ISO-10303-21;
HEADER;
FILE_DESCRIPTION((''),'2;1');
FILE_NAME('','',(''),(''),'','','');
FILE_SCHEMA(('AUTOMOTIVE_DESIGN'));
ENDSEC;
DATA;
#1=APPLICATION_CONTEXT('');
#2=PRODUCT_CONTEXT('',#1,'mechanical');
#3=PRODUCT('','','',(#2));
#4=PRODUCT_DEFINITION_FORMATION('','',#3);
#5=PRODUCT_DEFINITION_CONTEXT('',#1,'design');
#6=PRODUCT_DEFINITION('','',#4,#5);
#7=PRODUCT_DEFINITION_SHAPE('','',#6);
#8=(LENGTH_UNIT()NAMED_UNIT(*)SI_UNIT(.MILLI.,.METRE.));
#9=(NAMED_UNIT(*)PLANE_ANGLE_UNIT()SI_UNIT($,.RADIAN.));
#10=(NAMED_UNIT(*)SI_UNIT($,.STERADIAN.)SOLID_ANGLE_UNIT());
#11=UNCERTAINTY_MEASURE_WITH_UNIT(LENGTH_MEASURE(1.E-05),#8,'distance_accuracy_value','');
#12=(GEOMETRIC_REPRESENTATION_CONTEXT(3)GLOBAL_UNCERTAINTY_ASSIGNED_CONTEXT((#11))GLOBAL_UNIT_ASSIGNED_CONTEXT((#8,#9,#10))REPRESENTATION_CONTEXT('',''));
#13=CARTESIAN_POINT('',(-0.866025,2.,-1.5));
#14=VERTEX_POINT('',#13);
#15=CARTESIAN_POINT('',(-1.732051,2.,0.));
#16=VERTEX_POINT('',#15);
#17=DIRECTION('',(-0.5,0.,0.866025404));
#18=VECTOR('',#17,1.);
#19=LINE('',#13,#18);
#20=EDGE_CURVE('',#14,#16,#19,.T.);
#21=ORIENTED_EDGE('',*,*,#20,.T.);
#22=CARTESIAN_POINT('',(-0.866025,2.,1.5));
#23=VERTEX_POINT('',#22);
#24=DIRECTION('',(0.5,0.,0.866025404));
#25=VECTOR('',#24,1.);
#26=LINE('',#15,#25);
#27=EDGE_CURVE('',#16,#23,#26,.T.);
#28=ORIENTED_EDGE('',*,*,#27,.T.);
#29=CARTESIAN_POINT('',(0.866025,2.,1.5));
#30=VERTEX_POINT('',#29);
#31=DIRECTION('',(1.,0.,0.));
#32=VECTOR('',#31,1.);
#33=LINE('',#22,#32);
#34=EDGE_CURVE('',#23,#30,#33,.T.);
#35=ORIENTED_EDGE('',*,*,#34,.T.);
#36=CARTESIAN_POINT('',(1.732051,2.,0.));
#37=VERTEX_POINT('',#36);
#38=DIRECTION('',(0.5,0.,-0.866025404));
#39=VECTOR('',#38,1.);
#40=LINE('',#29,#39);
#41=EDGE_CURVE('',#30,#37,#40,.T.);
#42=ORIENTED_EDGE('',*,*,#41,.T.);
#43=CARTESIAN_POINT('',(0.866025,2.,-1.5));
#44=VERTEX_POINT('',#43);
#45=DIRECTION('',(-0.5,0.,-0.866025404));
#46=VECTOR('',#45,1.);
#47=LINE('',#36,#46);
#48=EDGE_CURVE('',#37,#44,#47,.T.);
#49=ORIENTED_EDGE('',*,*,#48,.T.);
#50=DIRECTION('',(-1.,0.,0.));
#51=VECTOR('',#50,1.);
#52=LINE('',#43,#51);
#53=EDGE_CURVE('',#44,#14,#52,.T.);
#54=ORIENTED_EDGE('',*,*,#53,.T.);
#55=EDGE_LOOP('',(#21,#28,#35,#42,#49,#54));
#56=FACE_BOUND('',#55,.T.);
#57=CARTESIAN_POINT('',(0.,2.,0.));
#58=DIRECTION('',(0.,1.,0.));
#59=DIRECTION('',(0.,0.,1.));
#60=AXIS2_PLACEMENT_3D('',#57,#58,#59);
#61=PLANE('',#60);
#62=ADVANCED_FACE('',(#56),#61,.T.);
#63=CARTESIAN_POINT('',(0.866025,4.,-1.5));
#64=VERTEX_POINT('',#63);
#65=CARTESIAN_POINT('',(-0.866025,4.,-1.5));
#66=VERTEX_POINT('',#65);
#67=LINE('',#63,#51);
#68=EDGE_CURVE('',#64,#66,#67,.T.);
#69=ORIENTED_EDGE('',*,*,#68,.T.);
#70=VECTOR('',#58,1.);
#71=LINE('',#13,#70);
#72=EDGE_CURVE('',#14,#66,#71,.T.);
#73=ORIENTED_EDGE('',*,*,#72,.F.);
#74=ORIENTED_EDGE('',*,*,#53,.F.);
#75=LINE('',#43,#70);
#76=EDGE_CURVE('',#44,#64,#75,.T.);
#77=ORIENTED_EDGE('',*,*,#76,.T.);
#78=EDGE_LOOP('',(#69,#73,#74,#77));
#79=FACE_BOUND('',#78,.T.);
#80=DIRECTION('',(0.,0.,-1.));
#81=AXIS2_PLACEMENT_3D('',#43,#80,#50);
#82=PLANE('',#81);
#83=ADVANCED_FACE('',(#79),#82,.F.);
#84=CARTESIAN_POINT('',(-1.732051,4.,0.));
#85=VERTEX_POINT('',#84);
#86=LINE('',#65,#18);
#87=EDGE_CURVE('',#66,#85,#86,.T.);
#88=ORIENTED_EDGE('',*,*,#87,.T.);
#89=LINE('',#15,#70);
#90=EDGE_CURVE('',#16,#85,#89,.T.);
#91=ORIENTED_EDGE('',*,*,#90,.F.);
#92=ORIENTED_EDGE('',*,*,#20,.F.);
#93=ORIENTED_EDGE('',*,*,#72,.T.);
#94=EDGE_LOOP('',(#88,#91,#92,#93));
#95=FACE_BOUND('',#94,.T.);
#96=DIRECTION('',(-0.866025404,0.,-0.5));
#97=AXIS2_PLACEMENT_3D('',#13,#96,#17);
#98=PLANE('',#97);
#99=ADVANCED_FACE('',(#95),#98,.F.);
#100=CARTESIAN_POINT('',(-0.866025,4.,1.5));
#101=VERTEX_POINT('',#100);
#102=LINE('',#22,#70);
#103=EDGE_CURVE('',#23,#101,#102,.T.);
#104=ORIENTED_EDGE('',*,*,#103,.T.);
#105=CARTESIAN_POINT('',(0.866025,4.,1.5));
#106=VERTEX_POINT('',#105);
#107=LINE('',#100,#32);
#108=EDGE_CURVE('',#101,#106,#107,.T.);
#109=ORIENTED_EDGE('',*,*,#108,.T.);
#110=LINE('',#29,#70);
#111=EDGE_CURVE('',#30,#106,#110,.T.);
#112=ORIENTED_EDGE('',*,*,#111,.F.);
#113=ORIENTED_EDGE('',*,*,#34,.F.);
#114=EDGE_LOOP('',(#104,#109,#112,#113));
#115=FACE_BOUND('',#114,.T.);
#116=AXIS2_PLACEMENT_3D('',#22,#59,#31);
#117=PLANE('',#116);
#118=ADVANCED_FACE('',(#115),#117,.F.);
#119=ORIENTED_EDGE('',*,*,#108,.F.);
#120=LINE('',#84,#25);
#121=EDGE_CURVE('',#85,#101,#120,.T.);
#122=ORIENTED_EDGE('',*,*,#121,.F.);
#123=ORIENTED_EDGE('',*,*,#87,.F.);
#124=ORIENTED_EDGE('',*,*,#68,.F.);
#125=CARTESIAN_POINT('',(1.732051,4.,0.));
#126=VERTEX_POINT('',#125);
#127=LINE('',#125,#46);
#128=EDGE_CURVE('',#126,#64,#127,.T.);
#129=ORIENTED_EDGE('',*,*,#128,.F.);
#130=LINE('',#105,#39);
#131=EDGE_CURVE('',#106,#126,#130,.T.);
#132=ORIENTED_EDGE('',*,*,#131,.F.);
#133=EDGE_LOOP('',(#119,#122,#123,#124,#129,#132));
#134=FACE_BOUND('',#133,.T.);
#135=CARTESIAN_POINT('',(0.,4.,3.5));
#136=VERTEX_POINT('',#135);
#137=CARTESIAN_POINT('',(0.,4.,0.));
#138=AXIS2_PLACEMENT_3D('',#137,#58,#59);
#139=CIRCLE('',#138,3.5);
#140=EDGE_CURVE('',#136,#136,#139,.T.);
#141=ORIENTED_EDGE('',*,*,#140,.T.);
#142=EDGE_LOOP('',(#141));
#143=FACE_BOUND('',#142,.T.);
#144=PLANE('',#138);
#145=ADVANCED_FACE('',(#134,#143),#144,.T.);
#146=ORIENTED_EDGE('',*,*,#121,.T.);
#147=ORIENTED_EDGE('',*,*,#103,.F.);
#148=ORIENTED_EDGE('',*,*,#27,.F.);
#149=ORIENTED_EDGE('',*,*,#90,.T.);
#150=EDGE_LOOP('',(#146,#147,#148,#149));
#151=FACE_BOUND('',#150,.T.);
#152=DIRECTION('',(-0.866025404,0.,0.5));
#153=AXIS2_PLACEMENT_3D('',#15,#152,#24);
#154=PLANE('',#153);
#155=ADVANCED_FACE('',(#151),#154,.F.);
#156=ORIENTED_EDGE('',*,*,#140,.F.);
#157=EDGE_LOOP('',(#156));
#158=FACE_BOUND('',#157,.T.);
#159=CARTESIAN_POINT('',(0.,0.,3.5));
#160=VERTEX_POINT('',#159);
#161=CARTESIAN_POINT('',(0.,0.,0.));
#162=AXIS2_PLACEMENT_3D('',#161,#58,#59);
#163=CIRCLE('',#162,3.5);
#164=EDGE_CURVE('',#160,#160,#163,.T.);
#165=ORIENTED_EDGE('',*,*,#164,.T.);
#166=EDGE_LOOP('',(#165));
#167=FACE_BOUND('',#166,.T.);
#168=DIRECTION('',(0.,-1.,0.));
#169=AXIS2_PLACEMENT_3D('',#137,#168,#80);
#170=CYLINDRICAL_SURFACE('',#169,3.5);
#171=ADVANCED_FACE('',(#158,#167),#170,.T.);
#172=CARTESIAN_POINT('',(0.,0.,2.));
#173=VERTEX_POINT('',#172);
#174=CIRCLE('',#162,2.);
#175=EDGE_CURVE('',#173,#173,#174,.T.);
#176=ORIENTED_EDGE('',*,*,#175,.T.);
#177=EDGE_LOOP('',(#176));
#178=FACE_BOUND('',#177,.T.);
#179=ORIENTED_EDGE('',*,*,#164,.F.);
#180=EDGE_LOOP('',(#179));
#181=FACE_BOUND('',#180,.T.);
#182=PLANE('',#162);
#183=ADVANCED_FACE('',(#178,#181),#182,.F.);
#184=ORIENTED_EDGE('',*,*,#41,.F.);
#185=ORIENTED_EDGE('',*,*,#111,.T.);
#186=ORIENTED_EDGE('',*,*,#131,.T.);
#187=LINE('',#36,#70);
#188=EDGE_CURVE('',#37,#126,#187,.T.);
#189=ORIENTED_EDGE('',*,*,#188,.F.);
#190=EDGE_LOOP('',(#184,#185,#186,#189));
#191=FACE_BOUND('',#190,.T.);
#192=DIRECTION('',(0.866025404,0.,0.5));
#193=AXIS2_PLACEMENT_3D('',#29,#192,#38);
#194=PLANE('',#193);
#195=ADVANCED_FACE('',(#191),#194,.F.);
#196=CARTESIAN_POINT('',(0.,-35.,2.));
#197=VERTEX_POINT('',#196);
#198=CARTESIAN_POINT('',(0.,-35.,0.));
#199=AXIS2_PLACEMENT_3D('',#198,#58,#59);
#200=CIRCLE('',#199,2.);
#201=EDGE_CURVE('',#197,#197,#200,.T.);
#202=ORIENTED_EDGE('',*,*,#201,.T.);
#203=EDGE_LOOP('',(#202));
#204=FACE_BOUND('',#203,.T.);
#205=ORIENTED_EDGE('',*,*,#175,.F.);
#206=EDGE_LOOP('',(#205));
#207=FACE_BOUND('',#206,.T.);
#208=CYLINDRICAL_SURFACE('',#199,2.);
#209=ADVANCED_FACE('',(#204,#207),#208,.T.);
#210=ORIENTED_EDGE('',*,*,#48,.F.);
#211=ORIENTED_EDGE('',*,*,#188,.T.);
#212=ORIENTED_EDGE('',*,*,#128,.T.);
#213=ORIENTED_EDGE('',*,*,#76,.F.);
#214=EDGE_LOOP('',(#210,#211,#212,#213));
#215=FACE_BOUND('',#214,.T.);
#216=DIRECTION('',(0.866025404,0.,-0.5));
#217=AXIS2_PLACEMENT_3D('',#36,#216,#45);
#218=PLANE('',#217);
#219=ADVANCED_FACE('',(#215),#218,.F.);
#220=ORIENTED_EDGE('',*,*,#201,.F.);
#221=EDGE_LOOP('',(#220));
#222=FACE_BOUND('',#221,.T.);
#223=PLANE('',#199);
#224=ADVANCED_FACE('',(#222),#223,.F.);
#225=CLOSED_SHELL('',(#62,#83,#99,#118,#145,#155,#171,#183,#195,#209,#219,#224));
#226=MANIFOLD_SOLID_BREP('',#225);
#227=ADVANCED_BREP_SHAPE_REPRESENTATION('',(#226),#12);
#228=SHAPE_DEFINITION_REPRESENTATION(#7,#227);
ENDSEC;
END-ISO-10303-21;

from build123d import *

# Parameters (mm, degrees)
SKETCH_1_R          = 3.5
EXTRUDE_397_DEPTH   = 4
SKETCH_1_3_R        = 2
EXTRUDE_432_DEPTH   = 35
CUT_EXTRUDE_1_DEPTH = 2


with BuildPart() as part:
    # 草图1 → Extrude 397 (new body)
    with BuildSketch(Plane(origin=(0, 0, 0), x_dir=(1, 0, 0), z_dir=(0, 1, 0))):
        Circle(SKETCH_1_R)
    extrude(amount=EXTRUDE_397_DEPTH)

    # 草图1<3> → Extrude 432 (add)
    with BuildSketch(Plane(origin=(0, 0, 0), x_dir=(1, 0, 0), z_dir=(0, 1, 0))):
        Circle(SKETCH_1_3_R)
    extrude(amount=-EXTRUDE_432_DEPTH)

    # 草图2 → 切除-拉伸1 (cut)
    with BuildSketch(Plane(origin=(0, 4, 0), x_dir=(1, 0, 0), z_dir=(0, 1, 0))):
        Polygon((1.732050808, 0), (0.866025404, 1.5), (-0.866025404, 1.5), (-1.732050808, 0), (-0.866025404, -1.5), (0.866025404, -1.5), align=None)
    extrude(amount=-CUT_EXTRUDE_1_DEPTH, mode=Mode.SUBTRACT)


solid = part.part
